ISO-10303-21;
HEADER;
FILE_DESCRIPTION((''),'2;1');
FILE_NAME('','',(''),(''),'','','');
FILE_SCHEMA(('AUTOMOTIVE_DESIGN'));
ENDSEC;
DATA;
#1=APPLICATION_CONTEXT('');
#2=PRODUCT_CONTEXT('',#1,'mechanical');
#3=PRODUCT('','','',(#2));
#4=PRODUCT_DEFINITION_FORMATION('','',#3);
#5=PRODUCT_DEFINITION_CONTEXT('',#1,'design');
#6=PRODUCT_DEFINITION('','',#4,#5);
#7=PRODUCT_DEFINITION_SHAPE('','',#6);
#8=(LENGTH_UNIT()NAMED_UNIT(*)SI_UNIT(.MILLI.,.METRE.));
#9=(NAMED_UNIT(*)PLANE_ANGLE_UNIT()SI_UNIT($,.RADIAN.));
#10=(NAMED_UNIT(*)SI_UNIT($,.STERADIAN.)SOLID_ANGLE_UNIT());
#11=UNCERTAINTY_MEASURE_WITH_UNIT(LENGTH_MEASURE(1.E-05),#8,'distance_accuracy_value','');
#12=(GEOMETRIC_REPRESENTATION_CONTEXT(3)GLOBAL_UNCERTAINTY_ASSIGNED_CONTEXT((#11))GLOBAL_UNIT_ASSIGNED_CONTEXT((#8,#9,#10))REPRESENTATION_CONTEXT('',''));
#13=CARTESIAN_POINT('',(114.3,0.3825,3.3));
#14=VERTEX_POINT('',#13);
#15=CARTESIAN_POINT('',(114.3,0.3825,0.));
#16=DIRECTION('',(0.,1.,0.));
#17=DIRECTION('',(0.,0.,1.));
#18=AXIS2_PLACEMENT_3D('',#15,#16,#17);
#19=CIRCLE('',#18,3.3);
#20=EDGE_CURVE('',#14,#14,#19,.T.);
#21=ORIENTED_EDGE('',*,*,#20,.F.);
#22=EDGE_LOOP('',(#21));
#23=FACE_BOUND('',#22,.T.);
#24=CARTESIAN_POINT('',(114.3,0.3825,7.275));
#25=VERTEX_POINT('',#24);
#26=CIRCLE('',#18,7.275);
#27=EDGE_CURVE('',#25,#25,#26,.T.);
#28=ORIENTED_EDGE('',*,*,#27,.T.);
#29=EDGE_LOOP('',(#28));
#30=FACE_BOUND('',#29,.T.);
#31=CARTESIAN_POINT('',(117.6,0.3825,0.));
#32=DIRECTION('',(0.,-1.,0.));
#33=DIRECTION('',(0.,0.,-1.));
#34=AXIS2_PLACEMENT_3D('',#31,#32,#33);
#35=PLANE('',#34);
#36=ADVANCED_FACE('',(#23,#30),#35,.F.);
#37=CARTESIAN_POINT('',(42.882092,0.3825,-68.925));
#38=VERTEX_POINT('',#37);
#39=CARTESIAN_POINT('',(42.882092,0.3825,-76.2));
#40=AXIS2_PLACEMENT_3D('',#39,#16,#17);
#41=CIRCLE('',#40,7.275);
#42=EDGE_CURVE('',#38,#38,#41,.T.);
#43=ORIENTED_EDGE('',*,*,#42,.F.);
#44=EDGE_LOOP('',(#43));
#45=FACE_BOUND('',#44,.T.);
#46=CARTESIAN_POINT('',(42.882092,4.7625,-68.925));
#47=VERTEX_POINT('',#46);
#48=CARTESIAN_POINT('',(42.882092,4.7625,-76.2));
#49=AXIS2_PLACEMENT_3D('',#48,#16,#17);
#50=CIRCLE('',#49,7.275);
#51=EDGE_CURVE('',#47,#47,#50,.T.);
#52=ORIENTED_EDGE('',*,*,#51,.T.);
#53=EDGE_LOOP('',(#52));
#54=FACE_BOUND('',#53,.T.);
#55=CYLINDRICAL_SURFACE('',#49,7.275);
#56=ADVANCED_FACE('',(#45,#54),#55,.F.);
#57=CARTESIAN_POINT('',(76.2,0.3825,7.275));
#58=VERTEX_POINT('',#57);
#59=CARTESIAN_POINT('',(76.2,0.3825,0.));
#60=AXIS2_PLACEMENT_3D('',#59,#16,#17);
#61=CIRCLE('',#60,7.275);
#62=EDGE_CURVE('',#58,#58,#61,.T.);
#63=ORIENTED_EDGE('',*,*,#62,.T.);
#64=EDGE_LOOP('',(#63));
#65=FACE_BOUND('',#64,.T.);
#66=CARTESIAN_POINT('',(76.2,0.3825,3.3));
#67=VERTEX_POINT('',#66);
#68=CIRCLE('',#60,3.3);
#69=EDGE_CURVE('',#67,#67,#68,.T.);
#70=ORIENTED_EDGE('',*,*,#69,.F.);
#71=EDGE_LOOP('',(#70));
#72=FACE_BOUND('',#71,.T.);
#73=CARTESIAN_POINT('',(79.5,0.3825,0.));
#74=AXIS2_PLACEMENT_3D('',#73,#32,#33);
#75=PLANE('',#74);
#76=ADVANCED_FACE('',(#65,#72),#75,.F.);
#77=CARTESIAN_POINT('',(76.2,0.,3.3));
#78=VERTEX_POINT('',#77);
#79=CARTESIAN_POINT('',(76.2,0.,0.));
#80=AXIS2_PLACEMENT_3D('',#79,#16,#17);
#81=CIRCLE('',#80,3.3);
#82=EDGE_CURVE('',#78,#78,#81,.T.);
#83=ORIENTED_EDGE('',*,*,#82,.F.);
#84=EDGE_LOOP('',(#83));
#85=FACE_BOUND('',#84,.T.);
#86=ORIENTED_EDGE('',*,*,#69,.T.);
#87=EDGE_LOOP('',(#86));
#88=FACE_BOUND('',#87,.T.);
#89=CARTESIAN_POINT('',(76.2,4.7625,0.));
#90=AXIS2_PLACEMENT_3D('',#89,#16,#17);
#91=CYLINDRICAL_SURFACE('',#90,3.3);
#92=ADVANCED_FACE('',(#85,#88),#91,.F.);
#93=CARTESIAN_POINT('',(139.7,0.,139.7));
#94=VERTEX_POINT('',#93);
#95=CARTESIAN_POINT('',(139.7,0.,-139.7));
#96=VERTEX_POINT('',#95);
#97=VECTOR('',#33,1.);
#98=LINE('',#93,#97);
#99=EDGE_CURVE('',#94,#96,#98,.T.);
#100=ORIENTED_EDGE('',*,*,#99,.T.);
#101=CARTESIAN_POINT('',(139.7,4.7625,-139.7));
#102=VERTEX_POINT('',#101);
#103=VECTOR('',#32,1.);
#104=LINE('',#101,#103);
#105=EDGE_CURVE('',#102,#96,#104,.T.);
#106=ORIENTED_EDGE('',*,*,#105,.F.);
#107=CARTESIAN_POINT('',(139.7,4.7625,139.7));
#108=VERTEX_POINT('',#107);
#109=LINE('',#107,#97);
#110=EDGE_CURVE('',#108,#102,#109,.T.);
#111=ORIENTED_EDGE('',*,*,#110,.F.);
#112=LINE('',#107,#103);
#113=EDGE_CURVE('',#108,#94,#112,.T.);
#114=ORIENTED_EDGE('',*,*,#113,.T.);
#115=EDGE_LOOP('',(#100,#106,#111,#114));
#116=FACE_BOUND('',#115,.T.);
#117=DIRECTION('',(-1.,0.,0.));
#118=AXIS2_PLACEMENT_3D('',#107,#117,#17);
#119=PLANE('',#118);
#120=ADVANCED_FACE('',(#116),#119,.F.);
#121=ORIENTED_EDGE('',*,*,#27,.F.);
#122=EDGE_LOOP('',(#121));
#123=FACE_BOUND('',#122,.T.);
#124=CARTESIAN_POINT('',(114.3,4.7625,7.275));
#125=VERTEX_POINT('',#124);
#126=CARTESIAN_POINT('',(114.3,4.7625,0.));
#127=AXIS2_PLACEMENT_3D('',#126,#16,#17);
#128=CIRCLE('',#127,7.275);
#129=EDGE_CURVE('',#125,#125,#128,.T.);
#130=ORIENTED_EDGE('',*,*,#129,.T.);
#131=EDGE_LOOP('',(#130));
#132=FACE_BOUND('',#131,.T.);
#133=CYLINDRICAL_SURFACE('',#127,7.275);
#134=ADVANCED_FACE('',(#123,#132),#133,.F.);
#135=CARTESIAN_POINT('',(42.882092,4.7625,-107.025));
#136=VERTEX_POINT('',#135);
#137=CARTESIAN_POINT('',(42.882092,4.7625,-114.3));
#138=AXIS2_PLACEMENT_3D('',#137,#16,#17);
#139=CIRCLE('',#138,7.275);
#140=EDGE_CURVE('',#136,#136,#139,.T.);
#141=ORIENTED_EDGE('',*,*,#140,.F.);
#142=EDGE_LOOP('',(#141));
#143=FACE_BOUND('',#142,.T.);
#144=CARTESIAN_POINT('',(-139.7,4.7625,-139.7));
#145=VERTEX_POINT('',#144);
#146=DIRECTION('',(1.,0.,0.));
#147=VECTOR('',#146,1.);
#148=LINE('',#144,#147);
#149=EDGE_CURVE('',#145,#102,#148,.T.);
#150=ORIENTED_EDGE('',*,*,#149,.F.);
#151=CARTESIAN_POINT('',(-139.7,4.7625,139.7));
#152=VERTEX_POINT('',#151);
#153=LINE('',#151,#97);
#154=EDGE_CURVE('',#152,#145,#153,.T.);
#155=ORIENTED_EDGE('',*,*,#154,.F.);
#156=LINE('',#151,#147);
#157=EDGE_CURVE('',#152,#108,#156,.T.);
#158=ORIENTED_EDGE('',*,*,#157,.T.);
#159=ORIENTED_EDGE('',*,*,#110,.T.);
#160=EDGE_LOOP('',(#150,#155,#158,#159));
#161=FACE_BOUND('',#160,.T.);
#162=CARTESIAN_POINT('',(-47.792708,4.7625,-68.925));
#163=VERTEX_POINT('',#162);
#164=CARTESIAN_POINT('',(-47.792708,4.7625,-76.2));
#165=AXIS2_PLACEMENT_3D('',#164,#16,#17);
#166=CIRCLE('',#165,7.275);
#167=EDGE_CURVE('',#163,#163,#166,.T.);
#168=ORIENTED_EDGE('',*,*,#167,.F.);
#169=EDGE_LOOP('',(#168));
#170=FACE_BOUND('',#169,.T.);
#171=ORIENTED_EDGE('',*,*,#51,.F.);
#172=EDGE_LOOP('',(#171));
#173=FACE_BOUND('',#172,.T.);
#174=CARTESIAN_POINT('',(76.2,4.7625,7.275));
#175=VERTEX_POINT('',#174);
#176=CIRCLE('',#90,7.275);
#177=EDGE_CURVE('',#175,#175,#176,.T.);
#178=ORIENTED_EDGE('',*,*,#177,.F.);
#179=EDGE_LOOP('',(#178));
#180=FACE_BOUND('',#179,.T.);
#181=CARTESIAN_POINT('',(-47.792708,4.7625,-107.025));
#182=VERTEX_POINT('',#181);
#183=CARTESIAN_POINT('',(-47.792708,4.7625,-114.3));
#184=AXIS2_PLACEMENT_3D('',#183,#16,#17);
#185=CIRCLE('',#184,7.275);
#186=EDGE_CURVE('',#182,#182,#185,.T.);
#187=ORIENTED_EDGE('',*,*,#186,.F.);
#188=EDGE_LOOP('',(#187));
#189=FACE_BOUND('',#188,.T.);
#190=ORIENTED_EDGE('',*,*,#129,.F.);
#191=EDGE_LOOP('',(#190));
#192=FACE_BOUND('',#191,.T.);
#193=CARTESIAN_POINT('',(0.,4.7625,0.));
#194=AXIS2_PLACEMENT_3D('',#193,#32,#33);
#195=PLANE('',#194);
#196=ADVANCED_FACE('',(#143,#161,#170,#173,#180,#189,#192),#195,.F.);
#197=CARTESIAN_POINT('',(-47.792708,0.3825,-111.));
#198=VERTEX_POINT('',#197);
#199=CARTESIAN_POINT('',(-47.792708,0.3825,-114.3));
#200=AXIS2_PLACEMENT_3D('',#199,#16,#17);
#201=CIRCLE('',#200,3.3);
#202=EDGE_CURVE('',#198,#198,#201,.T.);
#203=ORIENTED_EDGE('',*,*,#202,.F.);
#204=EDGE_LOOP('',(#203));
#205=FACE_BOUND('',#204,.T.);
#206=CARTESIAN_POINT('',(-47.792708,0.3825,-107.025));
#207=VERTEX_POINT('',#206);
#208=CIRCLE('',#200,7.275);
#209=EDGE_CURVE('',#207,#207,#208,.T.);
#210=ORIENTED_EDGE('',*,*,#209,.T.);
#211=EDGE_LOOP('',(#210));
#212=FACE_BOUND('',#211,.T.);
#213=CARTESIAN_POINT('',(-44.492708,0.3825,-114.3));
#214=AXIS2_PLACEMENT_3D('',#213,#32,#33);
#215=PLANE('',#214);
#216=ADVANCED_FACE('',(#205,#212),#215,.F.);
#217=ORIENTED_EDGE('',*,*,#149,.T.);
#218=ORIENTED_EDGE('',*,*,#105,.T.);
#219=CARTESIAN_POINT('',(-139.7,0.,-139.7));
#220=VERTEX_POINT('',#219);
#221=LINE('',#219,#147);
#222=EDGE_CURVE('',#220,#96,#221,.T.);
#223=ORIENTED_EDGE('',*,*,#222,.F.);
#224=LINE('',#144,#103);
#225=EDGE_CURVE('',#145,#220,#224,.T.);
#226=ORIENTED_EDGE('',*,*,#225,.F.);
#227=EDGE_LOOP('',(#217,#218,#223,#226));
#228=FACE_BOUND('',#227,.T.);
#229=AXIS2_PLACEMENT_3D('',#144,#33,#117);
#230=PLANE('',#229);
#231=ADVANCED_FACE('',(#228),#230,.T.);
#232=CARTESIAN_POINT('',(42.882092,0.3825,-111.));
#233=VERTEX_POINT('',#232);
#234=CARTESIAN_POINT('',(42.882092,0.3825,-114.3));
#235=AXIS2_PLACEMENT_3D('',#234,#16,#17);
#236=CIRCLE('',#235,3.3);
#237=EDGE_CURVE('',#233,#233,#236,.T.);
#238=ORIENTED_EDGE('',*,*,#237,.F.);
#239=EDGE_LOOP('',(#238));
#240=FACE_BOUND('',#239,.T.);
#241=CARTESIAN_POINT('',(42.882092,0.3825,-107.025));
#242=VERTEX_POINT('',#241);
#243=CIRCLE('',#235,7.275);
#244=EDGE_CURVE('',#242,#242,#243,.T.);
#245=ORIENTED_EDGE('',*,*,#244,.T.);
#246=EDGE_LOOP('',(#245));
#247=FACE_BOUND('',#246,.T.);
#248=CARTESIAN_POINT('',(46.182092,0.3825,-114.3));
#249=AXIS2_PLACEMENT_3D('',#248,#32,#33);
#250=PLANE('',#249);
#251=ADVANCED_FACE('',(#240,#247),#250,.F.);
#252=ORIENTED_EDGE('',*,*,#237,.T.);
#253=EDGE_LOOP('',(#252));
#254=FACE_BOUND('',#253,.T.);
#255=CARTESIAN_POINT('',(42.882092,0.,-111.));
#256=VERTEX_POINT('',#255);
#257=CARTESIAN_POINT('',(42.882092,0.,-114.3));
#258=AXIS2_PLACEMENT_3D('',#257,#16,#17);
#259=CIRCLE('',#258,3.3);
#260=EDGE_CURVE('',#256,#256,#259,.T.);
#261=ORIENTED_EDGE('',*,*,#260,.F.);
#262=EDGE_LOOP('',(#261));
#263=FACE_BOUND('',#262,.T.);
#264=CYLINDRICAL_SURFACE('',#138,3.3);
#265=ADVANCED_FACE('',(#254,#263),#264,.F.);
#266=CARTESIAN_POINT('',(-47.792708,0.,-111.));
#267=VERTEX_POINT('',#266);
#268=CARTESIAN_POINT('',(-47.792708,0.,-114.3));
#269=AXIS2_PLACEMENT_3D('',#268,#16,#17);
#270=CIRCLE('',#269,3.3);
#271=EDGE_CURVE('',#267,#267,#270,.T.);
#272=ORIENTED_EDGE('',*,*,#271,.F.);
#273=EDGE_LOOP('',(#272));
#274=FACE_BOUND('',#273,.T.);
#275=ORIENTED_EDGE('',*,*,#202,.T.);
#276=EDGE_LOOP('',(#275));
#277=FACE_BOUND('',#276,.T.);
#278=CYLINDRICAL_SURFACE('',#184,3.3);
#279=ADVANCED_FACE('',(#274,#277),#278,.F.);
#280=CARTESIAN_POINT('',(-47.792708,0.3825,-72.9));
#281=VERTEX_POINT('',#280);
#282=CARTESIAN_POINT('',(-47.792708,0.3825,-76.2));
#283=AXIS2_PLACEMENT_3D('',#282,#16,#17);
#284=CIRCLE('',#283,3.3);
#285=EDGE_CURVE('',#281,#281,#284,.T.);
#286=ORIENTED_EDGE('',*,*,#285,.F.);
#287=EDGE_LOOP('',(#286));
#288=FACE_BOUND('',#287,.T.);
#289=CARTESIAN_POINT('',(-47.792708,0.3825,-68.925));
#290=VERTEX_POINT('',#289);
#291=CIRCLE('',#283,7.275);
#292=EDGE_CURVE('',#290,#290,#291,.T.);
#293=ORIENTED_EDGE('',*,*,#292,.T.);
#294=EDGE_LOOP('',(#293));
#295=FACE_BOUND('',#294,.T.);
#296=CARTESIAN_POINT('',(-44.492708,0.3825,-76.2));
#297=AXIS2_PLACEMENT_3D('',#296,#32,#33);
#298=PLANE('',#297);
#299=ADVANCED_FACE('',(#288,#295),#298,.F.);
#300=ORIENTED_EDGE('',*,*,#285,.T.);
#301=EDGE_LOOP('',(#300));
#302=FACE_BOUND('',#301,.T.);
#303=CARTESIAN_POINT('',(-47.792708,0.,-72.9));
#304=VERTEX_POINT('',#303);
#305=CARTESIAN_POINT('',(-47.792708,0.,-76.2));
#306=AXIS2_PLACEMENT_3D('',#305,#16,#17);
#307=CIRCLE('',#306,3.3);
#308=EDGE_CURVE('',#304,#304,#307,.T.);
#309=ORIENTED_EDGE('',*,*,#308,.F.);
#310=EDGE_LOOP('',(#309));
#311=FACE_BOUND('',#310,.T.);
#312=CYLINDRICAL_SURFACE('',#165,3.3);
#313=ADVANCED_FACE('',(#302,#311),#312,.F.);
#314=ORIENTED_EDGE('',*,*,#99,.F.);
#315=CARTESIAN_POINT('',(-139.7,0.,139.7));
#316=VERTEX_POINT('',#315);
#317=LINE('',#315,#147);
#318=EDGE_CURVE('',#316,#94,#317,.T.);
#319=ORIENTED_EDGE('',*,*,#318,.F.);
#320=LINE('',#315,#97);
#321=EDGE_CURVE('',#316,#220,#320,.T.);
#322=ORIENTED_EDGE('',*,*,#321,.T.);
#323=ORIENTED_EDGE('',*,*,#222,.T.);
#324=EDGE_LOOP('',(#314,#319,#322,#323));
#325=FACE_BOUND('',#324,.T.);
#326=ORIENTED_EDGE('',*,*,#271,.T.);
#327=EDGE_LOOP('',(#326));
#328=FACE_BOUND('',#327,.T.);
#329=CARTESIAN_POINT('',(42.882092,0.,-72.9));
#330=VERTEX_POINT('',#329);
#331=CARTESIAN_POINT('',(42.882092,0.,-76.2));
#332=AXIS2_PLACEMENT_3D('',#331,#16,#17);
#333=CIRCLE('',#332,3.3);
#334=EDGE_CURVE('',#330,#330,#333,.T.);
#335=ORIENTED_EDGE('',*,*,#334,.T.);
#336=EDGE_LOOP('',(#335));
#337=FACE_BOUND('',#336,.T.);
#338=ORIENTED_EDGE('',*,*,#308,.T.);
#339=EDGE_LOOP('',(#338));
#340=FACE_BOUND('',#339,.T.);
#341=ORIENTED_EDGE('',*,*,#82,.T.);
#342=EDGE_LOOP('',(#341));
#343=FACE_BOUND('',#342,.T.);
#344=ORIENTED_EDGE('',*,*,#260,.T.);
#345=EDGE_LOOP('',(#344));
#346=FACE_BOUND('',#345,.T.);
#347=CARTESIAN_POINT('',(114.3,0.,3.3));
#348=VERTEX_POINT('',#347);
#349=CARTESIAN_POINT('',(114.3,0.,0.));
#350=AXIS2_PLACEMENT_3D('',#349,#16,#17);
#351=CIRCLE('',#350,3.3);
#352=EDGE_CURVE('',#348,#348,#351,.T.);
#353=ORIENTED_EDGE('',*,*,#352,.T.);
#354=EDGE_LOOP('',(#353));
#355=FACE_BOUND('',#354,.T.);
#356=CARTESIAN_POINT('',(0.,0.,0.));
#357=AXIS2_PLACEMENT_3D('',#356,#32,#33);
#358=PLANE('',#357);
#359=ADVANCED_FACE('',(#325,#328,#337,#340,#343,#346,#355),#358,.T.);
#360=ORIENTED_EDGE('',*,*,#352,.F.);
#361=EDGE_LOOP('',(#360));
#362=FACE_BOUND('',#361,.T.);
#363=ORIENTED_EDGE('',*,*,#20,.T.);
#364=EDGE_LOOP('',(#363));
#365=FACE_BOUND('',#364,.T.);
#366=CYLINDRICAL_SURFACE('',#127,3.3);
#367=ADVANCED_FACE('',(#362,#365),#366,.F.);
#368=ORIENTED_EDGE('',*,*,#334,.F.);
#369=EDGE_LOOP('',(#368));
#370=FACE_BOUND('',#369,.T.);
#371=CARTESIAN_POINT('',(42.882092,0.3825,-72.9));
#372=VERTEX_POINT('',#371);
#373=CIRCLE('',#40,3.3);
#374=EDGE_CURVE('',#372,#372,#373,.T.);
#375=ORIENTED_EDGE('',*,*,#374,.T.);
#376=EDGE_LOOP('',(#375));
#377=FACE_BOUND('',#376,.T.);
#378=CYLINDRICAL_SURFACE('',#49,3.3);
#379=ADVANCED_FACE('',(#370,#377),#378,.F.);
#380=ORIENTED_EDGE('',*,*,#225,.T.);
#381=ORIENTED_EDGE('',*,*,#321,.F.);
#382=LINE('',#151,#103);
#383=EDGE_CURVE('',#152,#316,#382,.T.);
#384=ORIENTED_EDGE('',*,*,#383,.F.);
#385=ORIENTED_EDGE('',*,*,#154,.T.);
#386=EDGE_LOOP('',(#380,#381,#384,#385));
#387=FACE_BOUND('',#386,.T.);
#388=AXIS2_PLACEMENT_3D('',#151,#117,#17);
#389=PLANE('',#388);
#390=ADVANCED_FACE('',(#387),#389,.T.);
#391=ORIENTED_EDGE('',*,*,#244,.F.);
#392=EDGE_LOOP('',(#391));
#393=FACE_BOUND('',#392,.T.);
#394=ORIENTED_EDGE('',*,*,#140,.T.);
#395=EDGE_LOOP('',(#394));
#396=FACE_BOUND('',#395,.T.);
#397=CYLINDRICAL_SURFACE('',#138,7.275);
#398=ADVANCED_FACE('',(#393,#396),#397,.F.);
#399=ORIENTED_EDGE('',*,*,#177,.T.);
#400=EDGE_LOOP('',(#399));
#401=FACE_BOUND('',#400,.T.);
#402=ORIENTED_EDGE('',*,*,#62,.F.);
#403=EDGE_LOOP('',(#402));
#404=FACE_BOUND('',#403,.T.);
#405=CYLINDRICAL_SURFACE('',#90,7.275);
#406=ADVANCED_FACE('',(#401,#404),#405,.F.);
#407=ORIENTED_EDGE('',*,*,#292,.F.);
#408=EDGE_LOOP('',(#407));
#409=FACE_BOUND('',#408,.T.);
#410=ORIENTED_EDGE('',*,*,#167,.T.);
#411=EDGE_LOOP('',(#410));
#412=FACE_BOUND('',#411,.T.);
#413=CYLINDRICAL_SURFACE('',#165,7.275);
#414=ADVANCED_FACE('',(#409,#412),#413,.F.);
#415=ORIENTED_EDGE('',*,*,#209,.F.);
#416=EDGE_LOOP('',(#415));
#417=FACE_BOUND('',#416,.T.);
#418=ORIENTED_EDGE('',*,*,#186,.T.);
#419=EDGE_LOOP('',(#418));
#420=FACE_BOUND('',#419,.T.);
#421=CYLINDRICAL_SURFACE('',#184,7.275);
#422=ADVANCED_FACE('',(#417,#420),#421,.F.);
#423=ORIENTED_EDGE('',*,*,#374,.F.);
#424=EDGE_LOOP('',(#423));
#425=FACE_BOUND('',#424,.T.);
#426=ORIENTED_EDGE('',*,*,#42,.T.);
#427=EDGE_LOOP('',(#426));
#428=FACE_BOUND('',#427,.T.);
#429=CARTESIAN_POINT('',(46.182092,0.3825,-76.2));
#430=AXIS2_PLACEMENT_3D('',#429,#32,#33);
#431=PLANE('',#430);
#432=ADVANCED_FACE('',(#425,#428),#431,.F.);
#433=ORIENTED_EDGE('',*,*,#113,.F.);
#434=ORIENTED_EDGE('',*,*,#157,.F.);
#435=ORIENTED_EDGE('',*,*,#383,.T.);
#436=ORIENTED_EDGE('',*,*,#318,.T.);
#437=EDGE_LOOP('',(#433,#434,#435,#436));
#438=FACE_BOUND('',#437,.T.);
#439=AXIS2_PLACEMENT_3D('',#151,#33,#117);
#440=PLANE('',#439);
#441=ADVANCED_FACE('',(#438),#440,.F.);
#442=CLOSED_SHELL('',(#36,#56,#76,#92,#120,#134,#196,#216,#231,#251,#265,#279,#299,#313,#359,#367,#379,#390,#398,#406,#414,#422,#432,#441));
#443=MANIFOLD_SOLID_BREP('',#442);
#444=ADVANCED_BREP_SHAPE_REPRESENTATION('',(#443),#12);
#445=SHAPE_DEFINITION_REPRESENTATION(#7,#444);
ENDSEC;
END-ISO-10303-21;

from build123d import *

# Parameters (mm, degrees)
SKETCH1_W                               = 279.4
SKETCH1_H                               = 279.4
BOSS_EXTRUDE1_DEPTH                     = 4.7625
CBORE_FOR_M6_HEX_HEAD_BOLT1_D           = 6.6
CBORE_FOR_M6_HEX_HEAD_BOLT1_CBORE_D     = 14.55
CBORE_FOR_M6_HEX_HEAD_BOLT1_CBORE_DEPTH = 4.38


with BuildPart() as part:
    # Sketch1 → Boss-Extrude1 (new body)
    with BuildSketch(Plane(origin=(0, 0, 0), x_dir=(1, 0, 0), z_dir=(0, 1, 0))):
        Rectangle(SKETCH1_W, SKETCH1_H)
    extrude(amount=BOSS_EXTRUDE1_DEPTH)

    # CBORE for M6 Hex Head Bolt1 (through all)
    with Locations(Plane(origin=(0, 4.7625, 0), x_dir=(1, 0, 0), z_dir=(0, 1, 0))):
        with Locations((-47.792708387, 76.2), (42.882092114, 76.2), (-47.792708387, 114.3), (42.882092114, 114.3), (76.2, 0), (114.3, 0)):
            CounterBoreHole(CBORE_FOR_M6_HEX_HEAD_BOLT1_D / 2, CBORE_FOR_M6_HEX_HEAD_BOLT1_CBORE_D / 2, CBORE_FOR_M6_HEX_HEAD_BOLT1_CBORE_DEPTH)


solid = part.part
